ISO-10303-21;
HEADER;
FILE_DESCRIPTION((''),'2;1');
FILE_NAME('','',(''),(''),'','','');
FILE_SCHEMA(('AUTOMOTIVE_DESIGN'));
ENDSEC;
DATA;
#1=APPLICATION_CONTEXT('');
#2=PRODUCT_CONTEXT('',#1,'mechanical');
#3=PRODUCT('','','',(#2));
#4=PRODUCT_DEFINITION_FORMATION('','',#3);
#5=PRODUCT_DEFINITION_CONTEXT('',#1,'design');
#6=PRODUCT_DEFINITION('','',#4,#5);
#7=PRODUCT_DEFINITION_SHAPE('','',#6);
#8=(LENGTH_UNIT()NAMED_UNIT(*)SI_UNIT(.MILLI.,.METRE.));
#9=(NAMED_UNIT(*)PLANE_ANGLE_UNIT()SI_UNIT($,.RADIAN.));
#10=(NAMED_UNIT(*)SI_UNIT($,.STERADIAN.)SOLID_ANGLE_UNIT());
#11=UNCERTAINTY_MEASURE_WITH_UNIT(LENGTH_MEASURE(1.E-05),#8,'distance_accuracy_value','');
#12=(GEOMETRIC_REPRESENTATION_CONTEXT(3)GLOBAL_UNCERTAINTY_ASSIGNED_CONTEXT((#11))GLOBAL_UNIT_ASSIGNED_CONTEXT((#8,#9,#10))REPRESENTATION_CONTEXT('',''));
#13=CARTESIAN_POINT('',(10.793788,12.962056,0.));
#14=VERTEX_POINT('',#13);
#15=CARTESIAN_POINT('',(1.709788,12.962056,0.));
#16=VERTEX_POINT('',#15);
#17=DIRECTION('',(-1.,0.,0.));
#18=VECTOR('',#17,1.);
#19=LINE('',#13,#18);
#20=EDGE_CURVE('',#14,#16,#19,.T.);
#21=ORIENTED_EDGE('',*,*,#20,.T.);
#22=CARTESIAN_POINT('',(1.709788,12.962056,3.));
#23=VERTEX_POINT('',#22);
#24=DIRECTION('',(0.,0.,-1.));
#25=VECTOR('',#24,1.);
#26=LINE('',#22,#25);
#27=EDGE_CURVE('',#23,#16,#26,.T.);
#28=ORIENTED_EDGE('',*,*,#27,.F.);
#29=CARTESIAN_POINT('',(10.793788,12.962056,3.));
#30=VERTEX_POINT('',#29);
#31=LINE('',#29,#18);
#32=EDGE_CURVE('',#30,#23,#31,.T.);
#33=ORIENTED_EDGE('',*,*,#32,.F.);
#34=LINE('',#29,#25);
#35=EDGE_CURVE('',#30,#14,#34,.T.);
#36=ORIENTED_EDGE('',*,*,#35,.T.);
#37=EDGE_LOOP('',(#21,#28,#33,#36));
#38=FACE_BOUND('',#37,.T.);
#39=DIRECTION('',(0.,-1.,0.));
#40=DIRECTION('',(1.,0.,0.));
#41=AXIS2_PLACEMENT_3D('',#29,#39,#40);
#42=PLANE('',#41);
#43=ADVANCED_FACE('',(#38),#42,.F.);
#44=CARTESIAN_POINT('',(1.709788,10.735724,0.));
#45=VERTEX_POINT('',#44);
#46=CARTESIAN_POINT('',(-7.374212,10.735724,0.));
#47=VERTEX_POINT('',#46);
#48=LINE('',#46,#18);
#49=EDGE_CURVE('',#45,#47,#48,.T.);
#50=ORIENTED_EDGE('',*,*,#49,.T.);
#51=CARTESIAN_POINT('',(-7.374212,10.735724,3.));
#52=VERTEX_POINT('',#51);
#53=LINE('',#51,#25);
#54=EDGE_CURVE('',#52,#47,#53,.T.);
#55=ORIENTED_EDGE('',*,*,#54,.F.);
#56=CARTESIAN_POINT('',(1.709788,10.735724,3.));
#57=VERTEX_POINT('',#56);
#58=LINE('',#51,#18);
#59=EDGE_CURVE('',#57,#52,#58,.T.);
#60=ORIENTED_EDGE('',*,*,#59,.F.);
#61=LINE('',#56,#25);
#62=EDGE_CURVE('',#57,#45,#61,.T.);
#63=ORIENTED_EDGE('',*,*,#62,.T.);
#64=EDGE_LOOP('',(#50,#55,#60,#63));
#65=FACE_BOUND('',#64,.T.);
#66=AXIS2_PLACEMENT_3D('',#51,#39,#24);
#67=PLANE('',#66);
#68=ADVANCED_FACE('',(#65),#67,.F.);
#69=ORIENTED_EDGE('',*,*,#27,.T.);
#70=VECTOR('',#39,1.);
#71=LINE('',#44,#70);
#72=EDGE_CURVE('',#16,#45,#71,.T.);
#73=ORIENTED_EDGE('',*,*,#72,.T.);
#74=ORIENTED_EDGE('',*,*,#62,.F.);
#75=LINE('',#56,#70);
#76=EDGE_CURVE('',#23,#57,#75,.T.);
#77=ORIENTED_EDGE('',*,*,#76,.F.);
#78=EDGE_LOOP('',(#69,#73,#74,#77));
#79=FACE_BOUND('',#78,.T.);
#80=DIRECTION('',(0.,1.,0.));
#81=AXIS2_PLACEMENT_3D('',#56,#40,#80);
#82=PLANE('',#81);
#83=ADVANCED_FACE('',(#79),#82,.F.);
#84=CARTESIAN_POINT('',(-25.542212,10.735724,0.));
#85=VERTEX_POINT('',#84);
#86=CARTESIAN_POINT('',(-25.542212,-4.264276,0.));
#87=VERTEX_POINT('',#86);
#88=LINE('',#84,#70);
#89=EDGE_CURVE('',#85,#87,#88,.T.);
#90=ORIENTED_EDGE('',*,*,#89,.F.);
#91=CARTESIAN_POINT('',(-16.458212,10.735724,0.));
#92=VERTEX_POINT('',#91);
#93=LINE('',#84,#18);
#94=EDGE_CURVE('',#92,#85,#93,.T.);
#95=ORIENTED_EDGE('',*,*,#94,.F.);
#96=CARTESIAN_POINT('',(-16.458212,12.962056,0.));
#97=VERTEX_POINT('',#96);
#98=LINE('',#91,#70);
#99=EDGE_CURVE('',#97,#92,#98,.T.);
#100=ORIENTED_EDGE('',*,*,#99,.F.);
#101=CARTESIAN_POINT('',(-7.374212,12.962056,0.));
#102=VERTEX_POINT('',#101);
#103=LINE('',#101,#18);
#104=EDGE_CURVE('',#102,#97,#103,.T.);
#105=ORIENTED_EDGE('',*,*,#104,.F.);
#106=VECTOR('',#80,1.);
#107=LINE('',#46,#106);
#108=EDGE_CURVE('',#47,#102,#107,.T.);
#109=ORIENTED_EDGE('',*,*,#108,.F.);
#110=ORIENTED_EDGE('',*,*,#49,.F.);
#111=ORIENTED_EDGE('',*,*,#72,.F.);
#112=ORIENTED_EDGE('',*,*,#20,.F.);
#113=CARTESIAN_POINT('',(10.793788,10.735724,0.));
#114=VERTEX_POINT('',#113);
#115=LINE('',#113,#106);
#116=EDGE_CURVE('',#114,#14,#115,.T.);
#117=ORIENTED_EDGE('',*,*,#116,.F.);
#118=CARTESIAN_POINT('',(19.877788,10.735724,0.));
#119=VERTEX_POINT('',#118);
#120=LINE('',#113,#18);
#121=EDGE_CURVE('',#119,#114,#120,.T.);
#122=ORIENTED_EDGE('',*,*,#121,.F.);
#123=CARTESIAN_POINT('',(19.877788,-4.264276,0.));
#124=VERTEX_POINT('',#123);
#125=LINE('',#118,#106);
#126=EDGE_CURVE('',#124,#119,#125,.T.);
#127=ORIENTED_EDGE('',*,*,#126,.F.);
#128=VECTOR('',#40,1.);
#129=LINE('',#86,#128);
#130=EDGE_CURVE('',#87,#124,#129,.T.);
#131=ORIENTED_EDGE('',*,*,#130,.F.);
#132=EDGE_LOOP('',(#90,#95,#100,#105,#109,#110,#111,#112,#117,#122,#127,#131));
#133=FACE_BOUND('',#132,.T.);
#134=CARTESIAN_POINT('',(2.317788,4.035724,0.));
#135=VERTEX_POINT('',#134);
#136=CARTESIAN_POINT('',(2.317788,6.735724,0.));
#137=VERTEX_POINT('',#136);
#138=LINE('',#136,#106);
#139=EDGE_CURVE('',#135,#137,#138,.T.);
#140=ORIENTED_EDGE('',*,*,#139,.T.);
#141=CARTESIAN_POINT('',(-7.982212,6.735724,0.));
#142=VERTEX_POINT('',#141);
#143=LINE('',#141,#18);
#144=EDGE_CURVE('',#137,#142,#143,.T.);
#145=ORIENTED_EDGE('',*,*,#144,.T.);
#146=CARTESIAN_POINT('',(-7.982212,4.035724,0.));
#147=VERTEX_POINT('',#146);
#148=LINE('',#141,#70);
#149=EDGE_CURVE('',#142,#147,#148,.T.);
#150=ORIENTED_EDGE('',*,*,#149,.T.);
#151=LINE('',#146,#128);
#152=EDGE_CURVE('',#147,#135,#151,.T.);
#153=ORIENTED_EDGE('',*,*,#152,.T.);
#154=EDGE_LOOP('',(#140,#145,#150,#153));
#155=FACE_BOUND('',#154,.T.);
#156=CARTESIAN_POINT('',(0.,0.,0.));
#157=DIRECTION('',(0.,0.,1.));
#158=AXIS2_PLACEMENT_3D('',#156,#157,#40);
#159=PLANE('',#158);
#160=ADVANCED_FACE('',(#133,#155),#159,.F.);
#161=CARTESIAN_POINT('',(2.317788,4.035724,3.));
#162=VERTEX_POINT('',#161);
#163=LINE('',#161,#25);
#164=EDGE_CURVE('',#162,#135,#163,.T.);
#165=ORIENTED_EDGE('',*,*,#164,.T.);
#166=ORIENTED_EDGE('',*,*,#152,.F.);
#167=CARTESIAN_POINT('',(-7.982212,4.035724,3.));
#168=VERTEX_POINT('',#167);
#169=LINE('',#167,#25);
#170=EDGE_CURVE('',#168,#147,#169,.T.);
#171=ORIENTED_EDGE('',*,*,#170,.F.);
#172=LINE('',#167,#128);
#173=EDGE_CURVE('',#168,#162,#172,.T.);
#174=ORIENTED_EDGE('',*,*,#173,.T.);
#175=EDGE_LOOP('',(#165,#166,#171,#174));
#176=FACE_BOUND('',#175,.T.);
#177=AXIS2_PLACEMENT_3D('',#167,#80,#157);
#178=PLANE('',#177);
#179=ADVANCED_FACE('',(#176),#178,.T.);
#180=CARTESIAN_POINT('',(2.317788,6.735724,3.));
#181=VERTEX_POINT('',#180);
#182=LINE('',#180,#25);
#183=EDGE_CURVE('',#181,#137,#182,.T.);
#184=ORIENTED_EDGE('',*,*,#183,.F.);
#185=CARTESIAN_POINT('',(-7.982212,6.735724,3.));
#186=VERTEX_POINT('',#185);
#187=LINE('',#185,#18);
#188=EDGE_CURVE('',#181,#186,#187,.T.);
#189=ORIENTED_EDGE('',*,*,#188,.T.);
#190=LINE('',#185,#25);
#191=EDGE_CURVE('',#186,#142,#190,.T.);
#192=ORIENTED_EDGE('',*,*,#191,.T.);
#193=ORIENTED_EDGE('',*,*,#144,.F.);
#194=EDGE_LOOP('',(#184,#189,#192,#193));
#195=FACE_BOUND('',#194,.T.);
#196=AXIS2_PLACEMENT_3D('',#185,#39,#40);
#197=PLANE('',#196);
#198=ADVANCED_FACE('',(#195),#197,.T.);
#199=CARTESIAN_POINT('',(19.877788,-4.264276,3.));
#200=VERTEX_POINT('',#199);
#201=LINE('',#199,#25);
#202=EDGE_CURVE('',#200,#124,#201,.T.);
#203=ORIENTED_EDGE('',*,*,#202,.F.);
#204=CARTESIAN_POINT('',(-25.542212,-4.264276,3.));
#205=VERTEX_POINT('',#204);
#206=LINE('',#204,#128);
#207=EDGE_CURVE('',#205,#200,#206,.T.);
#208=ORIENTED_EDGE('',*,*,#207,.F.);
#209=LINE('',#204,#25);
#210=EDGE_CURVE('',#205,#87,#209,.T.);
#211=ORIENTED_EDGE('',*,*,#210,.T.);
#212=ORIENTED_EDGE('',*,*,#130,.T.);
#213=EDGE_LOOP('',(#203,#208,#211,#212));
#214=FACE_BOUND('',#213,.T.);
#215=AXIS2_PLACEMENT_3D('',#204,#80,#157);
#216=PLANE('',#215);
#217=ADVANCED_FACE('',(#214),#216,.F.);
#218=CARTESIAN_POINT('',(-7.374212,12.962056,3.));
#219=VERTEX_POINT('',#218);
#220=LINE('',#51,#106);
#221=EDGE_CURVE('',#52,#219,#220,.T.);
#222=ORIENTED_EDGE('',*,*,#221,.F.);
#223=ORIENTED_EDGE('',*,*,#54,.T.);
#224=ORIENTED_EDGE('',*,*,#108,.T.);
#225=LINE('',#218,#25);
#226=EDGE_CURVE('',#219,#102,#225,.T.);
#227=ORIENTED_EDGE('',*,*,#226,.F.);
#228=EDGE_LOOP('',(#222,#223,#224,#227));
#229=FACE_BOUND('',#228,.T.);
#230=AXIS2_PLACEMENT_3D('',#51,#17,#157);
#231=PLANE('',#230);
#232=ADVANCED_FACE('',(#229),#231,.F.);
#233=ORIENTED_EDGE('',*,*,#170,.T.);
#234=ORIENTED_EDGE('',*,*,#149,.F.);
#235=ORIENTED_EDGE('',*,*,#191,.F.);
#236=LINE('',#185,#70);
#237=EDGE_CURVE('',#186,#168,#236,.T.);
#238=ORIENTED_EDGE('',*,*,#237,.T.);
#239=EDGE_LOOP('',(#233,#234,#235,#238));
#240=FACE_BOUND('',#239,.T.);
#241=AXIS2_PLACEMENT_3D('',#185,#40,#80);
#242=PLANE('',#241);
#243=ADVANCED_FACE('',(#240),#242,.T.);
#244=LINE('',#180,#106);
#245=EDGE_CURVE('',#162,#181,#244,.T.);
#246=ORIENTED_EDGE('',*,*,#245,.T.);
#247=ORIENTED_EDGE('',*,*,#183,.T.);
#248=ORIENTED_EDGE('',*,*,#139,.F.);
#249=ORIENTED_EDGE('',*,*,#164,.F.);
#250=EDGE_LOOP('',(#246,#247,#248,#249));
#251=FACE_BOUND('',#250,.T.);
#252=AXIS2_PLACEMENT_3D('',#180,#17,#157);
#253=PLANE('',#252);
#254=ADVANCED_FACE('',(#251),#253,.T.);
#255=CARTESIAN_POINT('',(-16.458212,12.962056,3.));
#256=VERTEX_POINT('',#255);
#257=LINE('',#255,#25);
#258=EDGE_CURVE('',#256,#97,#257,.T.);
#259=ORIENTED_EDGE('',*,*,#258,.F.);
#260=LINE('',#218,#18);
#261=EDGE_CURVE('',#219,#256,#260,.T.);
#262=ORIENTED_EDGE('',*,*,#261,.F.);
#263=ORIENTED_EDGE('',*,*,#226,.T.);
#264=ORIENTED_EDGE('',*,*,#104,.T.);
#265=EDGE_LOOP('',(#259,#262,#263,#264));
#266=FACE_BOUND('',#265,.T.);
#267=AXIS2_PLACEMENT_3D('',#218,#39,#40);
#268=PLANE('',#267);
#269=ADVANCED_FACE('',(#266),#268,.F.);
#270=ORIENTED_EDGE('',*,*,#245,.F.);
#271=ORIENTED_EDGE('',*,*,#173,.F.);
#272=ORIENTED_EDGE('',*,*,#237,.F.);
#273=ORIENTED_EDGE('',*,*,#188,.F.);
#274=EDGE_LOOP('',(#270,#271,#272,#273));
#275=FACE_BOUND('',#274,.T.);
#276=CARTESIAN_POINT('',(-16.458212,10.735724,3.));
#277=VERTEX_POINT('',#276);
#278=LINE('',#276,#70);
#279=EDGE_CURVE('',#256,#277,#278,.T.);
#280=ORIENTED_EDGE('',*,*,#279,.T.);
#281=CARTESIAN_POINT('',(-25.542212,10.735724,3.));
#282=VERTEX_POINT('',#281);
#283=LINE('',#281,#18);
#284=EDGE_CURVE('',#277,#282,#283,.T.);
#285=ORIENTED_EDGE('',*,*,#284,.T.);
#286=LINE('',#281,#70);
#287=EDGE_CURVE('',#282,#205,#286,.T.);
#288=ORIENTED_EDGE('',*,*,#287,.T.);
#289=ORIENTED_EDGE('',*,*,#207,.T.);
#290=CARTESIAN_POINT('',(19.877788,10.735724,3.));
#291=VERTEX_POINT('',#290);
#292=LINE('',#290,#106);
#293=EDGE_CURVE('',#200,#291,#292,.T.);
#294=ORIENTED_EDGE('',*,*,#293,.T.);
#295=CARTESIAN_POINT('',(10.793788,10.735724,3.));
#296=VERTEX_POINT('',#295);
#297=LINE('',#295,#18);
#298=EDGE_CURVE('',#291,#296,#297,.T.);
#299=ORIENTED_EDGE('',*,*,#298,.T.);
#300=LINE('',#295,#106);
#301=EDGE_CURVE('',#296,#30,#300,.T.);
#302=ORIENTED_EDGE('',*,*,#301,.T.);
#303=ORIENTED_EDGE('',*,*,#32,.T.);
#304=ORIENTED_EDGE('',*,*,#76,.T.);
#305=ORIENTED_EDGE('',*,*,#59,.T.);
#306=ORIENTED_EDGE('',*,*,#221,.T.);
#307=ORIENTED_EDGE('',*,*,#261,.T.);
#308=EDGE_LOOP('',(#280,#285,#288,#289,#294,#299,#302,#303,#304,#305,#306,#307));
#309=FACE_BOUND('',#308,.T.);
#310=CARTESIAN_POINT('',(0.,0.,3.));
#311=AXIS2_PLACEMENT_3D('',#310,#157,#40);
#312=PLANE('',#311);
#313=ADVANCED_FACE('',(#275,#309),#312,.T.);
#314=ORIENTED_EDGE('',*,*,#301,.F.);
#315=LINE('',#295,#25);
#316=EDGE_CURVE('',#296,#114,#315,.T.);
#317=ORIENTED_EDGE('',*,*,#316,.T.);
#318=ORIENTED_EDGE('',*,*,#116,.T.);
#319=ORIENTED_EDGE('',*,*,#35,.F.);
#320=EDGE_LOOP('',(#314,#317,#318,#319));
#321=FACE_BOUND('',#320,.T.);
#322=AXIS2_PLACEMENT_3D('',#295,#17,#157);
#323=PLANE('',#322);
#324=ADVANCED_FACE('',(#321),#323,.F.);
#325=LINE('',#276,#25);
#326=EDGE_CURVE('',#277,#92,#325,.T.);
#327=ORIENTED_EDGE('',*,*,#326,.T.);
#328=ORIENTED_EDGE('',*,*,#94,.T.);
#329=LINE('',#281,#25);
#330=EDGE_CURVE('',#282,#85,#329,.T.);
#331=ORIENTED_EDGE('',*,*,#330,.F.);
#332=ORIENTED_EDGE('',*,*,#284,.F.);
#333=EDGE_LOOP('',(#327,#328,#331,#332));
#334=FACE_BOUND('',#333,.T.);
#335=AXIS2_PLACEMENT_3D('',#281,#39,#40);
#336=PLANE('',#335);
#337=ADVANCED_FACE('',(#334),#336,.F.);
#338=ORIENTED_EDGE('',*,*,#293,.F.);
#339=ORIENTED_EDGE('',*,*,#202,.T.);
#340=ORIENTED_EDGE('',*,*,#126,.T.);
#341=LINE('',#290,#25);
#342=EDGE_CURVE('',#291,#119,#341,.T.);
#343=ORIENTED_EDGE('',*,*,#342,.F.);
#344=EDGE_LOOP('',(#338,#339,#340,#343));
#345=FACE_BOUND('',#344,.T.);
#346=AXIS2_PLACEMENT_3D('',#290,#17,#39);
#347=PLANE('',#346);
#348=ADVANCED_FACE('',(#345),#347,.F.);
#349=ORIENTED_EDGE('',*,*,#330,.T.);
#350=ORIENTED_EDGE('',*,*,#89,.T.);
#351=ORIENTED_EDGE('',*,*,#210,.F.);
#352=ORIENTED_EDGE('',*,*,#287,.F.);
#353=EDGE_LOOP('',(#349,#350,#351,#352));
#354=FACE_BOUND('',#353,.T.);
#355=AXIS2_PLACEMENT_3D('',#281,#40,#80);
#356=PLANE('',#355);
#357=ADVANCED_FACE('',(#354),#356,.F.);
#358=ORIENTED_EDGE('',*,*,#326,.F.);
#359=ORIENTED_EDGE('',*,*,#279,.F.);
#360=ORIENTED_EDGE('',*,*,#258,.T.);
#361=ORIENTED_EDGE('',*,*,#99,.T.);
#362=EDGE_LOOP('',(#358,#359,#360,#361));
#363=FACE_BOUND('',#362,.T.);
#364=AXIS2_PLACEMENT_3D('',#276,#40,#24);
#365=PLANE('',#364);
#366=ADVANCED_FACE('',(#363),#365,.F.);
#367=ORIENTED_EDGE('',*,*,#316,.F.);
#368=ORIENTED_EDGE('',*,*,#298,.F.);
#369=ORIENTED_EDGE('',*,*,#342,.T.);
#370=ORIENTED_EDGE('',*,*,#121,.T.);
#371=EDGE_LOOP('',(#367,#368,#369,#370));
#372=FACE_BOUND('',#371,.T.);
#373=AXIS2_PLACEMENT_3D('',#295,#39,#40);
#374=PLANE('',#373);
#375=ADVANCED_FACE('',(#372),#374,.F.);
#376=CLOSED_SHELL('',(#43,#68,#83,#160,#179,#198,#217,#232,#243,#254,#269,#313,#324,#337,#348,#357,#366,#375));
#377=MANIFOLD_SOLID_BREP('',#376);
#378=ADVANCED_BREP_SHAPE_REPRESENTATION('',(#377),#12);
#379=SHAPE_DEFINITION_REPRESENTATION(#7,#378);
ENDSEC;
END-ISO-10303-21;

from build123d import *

# Parameters (mm, degrees)
CROQUIS1_W              = 10.3
CROQUIS1_H              = 2.7
SALIENTE_EXTRUIR1_DEPTH = 3


with BuildPart() as part:
    # Croquis1 → Saliente-Extruir1 (new body)
    with BuildSketch(Plane.XY):
        Polygon((10.793788029, 10.735724485), (19.877788029, 10.735724485), (19.877788029, -4.264275515), (-25.542211971, -4.264275515), (-25.542211971, 10.735724485), (-16.458211971, 10.735724485), (-16.458211971, 12.962055963), (-7.374211971, 12.962055963), (-7.374211971, 10.735724485), (1.709788029, 10.735724485), (1.709788029, 12.962055963), (10.793788029, 12.962055963), align=None)
        with Locations((-2.832211971, 5.385724485)):
            Rectangle(CROQUIS1_W, CROQUIS1_H, mode=Mode.SUBTRACT)
    extrude(amount=SALIENTE_EXTRUIR1_DEPTH)


solid = part.part
